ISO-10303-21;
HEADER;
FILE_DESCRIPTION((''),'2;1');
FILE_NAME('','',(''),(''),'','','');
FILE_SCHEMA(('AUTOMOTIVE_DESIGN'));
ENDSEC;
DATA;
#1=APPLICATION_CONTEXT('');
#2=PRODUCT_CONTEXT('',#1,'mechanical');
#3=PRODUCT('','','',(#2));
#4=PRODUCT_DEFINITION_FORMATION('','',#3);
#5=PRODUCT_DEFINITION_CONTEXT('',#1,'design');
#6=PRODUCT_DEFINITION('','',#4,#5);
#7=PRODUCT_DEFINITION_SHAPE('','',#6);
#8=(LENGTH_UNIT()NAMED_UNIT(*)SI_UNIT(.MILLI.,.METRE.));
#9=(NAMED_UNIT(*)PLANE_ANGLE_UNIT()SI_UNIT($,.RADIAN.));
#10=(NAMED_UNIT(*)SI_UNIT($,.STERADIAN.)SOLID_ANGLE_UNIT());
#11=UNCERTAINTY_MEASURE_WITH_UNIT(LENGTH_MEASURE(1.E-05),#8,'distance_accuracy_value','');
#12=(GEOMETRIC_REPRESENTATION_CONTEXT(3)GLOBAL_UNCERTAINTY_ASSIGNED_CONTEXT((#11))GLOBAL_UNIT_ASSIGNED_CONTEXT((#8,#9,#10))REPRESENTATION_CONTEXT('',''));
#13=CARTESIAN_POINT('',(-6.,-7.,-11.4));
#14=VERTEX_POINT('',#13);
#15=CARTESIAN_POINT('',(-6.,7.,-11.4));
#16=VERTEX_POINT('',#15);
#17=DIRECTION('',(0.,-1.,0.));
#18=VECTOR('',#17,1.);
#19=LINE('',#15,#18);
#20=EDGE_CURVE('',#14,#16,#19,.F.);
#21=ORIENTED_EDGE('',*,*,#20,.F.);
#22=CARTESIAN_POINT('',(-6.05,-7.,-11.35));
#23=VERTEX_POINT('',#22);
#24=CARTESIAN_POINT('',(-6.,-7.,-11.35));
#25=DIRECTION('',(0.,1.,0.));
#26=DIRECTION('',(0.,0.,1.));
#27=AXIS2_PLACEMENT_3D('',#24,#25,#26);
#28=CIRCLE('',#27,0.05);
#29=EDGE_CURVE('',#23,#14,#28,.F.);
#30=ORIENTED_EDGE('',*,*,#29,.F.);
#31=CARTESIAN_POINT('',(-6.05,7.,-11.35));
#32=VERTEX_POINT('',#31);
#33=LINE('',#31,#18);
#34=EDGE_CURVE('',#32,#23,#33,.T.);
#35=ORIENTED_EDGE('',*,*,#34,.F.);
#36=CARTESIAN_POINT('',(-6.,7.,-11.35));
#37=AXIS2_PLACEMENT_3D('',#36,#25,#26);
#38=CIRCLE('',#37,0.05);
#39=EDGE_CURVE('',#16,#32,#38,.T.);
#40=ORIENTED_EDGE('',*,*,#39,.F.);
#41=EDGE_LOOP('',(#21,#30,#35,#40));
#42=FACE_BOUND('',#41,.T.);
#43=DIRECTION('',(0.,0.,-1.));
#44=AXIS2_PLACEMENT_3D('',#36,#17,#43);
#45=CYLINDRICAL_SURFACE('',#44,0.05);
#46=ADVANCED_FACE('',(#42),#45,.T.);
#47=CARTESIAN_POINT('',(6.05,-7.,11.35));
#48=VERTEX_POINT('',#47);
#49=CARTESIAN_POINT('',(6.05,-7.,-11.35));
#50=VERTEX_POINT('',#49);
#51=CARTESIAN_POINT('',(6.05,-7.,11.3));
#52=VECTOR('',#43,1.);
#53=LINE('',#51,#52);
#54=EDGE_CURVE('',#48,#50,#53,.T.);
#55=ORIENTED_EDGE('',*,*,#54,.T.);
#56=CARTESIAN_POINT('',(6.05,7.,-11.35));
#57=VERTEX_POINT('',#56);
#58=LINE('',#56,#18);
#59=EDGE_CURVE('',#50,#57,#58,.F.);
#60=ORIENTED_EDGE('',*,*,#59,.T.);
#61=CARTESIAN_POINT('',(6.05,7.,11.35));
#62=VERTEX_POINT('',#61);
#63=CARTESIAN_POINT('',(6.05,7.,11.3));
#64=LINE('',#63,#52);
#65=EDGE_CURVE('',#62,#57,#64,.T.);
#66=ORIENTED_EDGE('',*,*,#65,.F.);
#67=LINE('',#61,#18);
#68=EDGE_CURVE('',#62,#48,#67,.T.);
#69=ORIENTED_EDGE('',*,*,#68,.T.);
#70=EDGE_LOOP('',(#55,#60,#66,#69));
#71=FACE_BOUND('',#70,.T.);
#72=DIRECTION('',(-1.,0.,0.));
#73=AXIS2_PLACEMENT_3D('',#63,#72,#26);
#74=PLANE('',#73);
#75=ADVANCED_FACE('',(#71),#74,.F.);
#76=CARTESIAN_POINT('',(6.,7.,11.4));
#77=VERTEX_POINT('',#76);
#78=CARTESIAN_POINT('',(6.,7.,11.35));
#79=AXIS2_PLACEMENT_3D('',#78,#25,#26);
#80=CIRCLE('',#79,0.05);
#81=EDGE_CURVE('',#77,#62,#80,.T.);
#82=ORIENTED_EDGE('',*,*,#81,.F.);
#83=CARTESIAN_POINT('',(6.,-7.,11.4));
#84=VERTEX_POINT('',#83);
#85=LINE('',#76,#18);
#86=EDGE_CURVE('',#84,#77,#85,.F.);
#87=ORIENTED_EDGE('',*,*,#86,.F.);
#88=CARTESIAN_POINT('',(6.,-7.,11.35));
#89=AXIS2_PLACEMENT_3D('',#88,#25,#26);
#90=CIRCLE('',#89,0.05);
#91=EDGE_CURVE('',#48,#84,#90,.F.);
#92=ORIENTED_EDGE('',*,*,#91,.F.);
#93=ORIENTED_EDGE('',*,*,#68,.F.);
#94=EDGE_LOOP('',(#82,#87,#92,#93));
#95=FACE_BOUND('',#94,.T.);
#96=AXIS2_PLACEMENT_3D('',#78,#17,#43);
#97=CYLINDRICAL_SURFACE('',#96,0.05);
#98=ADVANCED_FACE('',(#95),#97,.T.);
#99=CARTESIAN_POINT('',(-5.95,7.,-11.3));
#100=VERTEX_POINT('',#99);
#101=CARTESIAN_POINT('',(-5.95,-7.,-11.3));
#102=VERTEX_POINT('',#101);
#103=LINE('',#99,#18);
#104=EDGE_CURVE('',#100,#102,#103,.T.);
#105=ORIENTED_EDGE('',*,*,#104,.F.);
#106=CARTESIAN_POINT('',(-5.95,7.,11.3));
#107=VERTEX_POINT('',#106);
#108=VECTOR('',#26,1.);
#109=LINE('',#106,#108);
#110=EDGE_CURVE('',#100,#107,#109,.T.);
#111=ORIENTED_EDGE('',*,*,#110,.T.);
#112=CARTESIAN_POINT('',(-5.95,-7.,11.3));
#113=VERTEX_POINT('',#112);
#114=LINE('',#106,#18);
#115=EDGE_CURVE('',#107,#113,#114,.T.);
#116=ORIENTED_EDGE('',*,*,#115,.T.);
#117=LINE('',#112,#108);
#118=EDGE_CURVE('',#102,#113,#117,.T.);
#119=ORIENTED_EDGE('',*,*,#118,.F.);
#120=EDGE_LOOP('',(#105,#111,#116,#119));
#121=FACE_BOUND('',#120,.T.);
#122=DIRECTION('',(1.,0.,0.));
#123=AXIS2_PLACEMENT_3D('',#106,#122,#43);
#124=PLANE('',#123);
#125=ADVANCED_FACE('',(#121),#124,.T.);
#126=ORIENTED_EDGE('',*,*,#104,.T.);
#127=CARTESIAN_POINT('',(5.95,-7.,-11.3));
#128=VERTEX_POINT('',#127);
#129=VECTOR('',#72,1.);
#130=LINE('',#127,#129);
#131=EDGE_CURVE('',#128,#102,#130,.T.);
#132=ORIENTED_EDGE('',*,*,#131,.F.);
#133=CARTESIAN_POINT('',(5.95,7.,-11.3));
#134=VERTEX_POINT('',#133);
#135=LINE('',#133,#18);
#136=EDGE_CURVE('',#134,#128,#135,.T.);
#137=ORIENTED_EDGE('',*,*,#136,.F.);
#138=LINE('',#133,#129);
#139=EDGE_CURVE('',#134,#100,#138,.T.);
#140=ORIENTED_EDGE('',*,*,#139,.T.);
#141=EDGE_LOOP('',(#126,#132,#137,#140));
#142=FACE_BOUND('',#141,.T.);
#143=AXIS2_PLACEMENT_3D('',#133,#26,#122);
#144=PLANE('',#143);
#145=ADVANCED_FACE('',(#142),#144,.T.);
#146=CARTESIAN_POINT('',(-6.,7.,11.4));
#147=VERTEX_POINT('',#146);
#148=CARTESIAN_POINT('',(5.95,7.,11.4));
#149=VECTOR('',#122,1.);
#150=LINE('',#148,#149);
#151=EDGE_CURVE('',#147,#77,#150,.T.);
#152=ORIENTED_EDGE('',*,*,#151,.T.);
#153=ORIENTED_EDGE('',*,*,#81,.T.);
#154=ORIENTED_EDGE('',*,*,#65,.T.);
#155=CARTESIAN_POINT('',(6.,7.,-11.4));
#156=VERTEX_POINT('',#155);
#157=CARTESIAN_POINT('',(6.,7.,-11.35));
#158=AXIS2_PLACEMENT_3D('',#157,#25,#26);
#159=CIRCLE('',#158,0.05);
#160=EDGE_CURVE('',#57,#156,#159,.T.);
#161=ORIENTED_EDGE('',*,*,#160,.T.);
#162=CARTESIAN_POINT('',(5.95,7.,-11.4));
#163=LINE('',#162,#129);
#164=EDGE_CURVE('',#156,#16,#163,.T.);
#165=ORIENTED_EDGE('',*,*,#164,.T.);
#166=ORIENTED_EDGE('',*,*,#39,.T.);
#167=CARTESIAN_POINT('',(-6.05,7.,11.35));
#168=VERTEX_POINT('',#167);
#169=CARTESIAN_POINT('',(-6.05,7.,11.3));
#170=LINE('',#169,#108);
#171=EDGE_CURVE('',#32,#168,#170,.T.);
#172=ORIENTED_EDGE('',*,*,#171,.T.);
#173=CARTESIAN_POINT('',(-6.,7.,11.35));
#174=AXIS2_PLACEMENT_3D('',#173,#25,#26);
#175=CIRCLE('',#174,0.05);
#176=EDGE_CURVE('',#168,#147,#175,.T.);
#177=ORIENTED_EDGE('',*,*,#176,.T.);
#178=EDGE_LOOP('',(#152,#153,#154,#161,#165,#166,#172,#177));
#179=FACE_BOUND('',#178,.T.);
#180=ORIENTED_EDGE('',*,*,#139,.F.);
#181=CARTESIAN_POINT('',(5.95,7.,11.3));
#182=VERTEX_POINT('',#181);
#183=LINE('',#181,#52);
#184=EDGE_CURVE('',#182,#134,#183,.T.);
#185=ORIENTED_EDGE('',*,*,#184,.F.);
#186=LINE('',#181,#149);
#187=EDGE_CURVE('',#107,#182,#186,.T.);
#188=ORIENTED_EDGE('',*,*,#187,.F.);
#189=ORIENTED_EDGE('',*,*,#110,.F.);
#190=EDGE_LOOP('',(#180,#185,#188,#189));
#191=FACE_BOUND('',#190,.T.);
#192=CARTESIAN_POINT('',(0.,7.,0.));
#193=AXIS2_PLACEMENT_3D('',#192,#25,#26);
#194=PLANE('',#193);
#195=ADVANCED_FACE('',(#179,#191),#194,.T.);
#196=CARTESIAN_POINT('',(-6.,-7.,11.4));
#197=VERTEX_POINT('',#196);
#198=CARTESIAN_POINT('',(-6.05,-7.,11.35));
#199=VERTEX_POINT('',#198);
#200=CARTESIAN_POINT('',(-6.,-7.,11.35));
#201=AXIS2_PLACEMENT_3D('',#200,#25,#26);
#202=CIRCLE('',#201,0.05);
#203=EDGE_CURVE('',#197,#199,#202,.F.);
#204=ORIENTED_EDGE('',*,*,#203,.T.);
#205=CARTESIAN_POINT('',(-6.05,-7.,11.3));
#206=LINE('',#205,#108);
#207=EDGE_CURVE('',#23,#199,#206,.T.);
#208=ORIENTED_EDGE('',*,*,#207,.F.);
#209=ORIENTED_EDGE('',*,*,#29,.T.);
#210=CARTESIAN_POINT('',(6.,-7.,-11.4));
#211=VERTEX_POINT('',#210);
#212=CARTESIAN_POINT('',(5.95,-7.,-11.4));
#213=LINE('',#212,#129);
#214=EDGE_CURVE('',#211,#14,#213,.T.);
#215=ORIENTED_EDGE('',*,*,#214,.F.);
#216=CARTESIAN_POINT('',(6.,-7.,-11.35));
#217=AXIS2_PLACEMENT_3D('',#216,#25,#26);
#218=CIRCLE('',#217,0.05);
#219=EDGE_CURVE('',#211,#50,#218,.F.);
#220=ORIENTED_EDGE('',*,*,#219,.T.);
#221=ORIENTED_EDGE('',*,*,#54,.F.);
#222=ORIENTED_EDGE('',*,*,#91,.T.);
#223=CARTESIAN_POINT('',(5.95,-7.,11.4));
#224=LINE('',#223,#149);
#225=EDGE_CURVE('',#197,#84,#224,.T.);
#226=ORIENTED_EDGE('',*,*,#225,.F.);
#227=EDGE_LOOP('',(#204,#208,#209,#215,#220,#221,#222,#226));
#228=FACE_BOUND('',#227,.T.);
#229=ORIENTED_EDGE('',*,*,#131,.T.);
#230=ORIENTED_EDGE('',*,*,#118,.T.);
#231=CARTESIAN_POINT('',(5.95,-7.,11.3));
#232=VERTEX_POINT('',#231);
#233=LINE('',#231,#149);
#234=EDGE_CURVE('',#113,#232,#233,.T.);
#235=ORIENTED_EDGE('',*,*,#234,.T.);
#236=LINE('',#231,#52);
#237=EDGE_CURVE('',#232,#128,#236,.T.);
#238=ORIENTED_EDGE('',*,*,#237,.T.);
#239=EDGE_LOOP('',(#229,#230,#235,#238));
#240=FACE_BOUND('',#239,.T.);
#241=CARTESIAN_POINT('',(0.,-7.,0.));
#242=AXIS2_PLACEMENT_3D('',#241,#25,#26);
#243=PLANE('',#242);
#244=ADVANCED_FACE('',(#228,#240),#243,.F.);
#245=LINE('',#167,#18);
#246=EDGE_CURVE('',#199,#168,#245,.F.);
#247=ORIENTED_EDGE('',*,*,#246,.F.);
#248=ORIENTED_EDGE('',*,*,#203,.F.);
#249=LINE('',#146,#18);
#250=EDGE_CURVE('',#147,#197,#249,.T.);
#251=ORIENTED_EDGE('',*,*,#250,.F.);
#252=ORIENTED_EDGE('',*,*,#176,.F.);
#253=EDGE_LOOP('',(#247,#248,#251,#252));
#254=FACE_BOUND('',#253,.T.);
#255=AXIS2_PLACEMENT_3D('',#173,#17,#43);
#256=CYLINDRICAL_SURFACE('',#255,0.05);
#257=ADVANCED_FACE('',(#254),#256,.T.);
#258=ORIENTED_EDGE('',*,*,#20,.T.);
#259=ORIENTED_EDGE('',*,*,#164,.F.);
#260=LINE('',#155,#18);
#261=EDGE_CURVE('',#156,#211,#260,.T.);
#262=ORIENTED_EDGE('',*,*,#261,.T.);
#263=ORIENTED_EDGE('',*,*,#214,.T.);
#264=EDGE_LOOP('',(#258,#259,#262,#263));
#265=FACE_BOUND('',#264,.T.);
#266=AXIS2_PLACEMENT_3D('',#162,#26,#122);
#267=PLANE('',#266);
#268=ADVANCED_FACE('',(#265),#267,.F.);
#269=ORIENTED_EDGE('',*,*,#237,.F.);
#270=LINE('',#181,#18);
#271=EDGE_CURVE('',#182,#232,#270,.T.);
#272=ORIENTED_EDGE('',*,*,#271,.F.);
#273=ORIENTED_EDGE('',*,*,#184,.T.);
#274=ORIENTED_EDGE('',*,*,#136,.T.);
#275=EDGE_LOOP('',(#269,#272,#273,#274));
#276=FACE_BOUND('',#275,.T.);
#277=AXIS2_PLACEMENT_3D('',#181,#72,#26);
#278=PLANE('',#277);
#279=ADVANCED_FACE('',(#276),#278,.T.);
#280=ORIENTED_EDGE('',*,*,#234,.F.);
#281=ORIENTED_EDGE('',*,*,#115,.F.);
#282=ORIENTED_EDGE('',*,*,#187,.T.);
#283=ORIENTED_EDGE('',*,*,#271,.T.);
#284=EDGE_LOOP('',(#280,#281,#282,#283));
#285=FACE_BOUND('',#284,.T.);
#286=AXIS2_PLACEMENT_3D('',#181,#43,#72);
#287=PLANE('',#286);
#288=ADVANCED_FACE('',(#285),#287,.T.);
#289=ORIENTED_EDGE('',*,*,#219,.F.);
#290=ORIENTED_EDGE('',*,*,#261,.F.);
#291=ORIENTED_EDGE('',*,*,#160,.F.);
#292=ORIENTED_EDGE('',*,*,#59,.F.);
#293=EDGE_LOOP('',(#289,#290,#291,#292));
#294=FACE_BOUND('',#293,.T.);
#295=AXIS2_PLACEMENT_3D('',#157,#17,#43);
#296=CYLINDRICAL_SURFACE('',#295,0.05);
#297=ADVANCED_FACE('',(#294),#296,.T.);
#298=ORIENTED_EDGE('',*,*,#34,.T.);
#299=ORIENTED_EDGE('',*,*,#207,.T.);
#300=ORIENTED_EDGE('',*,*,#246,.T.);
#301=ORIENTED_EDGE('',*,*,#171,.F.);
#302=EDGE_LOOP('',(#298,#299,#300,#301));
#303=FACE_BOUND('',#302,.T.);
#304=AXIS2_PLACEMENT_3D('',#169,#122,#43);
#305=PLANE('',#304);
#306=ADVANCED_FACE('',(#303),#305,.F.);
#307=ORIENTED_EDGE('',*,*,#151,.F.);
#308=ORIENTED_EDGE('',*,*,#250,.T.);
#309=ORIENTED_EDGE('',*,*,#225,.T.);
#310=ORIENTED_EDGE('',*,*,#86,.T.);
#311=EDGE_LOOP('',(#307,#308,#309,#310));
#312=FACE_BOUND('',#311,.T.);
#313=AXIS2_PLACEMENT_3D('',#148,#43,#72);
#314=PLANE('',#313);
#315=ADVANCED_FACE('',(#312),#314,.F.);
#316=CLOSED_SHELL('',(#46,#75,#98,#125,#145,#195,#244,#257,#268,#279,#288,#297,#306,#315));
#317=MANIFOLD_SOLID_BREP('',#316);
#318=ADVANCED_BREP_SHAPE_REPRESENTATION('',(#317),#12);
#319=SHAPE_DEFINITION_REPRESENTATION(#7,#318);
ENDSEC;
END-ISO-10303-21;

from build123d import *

# Parameters (mm, degrees)
SKETCH1_W           = 12.1
SKETCH1_H           = 22.8
SKETCH1_W_2         = 11.9
SKETCH1_H_2         = 22.6
EXTRUDE_THIN1_DEPTH = 7
FILLET1_R           = 0.05


with BuildPart() as part:
    # Sketch1 → Extrude-Thin1 (new body, symmetric)
    with BuildSketch(Plane(origin=(0, 0, 0), x_dir=(1, 0, 0), z_dir=(0, 1, 0))):
        Rectangle(SKETCH1_W, SKETCH1_H)
        Rectangle(SKETCH1_W_2, SKETCH1_H_2, mode=Mode.SUBTRACT)
    extrude(amount=EXTRUDE_THIN1_DEPTH, both=True)

    # Fillet1
    fillet1_edges = [part.edges().sort_by_distance(p)[0] for p in [
        (-6.05, 0, -11.4),
        (6.05, 0, -11.4),
        (6.05, 0, 11.4),
        (-6.05, 0, 11.4),
    ]]
    fillet(fillet1_edges, radius=FILLET1_R)


solid = part.part
